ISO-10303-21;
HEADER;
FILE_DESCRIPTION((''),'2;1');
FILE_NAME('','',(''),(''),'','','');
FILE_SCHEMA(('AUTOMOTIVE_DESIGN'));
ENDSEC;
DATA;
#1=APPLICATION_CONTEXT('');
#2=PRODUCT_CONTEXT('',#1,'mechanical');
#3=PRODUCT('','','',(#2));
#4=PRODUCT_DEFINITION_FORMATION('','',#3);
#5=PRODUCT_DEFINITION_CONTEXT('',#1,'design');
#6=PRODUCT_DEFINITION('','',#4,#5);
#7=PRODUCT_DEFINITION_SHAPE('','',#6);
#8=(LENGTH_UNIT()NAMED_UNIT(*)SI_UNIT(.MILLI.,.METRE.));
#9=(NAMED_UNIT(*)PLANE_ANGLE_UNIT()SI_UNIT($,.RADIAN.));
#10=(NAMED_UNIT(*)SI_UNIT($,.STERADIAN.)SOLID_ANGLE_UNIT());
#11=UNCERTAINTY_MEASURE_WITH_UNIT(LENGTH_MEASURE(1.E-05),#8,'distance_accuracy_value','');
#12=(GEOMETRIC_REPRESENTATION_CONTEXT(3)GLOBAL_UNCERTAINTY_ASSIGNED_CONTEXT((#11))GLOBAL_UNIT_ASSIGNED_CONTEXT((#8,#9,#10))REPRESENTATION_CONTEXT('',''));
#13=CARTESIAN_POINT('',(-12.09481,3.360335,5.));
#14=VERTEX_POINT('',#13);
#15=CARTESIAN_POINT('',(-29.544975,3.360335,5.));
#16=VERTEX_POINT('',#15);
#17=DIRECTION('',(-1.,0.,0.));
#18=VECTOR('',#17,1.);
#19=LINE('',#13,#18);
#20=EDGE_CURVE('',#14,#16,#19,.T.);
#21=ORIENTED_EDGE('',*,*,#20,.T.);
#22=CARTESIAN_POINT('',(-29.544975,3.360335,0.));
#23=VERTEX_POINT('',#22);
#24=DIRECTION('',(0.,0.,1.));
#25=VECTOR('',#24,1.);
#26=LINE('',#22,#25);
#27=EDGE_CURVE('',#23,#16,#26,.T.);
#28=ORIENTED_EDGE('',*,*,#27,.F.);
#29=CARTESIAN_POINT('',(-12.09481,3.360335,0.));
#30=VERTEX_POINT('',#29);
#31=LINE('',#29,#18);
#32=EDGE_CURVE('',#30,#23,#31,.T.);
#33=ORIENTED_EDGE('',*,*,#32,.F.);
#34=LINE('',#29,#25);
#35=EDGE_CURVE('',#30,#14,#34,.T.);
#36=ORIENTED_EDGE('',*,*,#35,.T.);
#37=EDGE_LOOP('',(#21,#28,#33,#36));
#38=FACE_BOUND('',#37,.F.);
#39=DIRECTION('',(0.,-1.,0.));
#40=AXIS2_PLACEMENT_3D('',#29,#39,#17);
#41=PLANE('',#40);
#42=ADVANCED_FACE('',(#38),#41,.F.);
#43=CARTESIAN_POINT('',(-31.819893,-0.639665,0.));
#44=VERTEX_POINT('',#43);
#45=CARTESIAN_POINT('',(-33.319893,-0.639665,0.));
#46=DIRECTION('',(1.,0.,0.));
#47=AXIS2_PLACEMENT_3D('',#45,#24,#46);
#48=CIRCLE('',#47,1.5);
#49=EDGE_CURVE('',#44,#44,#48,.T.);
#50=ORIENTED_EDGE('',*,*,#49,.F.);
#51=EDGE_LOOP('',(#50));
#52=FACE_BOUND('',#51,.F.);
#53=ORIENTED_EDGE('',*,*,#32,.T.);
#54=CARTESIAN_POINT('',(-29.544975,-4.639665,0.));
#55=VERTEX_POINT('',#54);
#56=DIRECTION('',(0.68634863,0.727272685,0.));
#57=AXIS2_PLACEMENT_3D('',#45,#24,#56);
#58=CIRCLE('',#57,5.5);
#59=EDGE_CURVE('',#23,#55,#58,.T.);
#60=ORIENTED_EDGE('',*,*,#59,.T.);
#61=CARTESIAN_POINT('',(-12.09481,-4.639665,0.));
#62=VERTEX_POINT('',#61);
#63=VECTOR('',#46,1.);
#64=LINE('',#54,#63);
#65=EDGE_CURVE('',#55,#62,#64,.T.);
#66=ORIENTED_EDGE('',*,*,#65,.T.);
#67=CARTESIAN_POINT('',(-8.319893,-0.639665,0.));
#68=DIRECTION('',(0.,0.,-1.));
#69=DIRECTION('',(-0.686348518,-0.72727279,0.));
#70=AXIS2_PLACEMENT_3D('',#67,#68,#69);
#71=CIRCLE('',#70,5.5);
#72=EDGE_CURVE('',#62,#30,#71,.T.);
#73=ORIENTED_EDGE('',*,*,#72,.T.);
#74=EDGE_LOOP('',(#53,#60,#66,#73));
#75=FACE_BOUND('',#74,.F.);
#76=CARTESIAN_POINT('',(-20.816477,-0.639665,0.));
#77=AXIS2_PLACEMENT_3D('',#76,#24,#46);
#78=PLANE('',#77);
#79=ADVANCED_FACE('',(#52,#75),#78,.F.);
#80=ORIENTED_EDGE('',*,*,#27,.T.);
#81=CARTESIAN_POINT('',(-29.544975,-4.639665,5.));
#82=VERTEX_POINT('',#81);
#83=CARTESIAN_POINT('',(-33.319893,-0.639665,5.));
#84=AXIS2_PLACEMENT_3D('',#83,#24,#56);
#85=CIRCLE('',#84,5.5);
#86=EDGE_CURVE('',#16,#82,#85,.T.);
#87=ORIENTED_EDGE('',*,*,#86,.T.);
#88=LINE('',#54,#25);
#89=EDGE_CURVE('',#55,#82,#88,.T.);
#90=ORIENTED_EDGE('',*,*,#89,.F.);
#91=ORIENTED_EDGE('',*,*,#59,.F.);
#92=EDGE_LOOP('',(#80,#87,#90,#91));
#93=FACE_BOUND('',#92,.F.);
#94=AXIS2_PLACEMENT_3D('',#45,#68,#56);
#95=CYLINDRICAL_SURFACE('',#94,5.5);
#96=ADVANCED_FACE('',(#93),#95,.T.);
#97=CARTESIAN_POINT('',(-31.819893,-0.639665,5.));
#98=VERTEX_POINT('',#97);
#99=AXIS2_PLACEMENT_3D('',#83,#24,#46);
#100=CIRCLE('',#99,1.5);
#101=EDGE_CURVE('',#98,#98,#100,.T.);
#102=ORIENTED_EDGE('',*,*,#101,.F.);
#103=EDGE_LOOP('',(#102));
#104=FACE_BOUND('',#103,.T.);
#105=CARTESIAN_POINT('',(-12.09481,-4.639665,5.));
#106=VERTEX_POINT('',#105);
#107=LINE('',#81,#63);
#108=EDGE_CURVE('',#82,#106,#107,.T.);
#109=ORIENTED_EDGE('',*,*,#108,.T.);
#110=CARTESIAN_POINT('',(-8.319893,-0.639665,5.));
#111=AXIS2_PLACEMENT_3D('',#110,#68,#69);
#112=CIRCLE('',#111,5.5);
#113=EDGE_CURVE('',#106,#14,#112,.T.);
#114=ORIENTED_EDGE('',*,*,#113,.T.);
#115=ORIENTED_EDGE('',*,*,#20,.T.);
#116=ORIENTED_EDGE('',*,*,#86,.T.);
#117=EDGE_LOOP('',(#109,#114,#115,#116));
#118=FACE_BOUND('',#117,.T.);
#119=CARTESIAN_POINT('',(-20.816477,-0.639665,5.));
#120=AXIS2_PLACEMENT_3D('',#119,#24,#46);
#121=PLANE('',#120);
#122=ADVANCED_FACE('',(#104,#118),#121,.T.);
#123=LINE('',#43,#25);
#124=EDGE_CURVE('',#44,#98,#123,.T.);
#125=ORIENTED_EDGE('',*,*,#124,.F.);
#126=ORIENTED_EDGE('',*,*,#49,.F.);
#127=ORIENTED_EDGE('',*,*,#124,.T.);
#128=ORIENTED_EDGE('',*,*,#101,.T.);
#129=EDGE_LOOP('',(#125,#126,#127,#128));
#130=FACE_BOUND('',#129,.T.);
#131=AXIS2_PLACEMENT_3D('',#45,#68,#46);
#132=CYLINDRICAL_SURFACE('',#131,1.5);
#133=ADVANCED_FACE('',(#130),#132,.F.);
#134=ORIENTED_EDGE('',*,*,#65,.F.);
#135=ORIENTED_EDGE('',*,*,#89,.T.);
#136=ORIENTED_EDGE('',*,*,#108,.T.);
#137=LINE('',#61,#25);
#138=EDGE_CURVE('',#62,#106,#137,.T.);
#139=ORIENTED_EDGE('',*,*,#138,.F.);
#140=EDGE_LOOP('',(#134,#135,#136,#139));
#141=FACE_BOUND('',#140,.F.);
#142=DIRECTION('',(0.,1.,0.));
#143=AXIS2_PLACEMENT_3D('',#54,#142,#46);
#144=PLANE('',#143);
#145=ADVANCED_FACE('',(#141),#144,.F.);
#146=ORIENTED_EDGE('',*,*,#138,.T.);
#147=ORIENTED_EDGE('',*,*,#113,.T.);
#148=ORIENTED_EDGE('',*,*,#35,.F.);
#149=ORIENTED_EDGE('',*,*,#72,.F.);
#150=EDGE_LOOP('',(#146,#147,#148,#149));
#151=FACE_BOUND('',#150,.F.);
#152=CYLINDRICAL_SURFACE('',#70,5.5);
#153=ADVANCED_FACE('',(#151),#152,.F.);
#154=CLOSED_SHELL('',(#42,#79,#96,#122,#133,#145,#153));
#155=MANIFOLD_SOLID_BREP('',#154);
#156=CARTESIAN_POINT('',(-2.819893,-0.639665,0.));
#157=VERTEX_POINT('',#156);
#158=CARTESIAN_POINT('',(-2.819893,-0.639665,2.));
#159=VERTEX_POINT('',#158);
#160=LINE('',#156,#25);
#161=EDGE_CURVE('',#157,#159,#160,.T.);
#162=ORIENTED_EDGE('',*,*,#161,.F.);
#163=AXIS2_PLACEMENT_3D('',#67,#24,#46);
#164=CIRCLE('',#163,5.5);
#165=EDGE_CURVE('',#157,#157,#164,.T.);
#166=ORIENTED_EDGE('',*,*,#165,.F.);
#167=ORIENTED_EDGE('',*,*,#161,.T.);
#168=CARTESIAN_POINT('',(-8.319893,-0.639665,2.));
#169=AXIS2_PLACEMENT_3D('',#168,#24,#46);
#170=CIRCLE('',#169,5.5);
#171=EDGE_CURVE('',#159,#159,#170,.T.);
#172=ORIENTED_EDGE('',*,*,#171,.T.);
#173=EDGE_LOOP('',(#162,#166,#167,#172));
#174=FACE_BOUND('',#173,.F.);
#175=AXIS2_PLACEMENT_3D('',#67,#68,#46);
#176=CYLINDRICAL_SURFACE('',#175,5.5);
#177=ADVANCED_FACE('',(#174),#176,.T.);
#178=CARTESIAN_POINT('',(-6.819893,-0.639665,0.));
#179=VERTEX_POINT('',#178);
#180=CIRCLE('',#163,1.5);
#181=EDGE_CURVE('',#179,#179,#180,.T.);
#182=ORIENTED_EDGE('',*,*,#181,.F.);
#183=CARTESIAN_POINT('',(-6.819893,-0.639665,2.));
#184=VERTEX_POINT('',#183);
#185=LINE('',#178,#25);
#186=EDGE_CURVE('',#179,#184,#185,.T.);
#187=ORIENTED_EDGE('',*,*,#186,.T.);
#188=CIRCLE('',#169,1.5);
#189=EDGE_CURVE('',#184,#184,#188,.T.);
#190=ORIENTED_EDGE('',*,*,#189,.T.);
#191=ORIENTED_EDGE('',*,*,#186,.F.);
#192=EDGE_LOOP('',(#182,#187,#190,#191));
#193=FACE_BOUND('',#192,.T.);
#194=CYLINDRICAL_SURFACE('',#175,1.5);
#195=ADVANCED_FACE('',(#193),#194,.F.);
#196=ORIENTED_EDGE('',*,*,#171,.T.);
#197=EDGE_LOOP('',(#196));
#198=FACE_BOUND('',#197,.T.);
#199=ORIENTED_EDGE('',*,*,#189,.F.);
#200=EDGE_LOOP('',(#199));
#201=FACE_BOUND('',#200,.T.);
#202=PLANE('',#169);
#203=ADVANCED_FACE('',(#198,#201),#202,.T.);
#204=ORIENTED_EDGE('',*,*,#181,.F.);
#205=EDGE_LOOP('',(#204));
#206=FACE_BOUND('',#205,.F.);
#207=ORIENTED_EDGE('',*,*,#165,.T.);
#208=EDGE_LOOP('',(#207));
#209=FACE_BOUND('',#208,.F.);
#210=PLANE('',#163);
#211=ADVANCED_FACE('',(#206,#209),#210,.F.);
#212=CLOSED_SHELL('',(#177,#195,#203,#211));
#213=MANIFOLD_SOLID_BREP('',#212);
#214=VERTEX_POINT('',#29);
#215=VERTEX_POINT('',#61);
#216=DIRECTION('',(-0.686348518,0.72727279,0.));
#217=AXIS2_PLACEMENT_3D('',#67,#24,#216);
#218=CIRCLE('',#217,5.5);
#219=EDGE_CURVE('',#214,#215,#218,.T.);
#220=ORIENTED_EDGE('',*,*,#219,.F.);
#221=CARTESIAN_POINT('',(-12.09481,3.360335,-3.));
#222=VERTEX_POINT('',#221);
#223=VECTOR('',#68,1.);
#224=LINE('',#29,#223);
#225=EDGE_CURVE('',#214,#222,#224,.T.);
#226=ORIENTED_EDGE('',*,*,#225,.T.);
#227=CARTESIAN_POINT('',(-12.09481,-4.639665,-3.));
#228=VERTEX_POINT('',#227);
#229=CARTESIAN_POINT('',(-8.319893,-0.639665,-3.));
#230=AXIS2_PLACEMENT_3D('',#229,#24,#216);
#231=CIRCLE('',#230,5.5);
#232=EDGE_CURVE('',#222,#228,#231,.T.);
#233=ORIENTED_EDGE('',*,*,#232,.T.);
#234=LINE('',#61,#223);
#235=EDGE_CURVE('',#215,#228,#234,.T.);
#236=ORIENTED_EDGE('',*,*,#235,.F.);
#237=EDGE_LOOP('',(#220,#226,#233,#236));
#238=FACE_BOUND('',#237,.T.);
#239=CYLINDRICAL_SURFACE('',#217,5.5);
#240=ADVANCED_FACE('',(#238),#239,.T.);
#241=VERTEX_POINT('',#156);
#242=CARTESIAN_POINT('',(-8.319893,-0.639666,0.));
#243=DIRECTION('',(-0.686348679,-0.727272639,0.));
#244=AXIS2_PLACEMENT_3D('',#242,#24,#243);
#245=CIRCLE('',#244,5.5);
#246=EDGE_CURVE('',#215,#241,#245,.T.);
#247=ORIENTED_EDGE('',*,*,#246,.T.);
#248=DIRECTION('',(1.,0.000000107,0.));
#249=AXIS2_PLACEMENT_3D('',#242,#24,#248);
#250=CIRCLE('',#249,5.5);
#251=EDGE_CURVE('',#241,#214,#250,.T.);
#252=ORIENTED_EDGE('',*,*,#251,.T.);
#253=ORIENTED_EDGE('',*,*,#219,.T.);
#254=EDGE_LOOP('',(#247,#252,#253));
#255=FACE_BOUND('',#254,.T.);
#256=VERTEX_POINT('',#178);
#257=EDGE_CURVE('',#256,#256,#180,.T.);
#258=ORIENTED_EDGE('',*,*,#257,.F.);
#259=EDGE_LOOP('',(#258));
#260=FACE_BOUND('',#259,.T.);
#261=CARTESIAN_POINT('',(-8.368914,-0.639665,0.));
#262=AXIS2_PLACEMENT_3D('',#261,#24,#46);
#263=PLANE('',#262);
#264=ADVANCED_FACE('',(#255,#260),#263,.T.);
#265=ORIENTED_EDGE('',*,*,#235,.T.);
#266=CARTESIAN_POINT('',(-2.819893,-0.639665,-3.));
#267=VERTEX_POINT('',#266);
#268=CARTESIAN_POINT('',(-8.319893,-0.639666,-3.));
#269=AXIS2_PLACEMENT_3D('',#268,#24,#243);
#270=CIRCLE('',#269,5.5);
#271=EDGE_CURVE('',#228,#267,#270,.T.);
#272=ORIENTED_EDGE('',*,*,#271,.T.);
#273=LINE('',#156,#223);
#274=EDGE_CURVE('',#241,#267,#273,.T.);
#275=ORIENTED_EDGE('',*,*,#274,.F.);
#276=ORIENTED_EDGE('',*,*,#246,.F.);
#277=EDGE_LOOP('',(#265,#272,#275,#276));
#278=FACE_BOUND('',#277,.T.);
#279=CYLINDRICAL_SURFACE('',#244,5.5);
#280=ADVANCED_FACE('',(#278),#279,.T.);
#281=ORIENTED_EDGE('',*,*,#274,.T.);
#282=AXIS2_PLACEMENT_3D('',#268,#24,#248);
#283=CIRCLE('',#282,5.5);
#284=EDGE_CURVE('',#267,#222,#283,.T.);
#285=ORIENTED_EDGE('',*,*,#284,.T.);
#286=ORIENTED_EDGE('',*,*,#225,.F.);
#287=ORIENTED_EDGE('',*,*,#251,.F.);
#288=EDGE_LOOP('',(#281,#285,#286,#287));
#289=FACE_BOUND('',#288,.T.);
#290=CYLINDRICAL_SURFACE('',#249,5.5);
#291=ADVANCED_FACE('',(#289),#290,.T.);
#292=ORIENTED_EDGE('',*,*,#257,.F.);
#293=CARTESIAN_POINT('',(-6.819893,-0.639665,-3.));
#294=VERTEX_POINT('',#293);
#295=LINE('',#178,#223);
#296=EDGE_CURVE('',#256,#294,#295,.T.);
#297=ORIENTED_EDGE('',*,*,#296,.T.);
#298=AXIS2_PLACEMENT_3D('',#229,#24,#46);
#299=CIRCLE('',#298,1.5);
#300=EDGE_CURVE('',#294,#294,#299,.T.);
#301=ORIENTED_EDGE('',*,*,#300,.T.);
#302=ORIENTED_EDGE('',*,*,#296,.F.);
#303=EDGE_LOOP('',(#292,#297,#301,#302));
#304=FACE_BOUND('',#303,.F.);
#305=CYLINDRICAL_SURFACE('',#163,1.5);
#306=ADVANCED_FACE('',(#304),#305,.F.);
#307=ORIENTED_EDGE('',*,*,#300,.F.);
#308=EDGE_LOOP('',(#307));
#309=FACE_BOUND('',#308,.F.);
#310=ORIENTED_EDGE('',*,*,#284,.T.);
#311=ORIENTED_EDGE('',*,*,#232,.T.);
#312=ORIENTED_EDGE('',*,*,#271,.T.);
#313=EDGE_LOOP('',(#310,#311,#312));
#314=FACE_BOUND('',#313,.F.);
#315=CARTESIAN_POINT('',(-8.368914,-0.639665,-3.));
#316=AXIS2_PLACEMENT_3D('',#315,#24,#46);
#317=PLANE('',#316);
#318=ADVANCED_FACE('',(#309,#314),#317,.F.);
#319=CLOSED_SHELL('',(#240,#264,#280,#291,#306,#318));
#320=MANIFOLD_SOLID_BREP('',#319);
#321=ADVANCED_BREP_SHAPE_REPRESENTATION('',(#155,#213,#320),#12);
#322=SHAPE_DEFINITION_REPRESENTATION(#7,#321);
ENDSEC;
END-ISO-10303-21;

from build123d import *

# Parameters (mm, degrees)
F0_R        = 1.5
F1_DEPTH    = 3
F2_DEPTH    = 5
F1_FACE_R   = 5.5
F1_FACE_R_2 = 1.5
F3_DEPTH    = 2


with BuildPart() as f1:
    # F0 (on Top) → F1 (new body)
    with BuildSketch(Plane.XY):
        with BuildLine():
            ThreePointArc((-2.819893, -0.639665), (-6.141825, 4.410683), (-12.09481, 3.360335))
            ThreePointArc((-12.09481, 3.360335), (-13.819893, -0.639665), (-12.09481, -4.639665))
            ThreePointArc((-12.09481, -4.639665), (-6.141825, -5.690014), (-2.819893, -0.639665))
        make_face()
        with Locations((-8.319893, -0.639665)):
            Circle(F0_R, mode=Mode.SUBTRACT)
    extrude(amount=-F1_DEPTH)


with BuildPart() as f2:
    # F0 (on Top) → F2 (new body)
    with BuildSketch(Plane.XY):
        with BuildLine():
            ThreePointArc((-29.544975, 3.360335), (-28.269544, 1.538402), (-27.819893, -0.639665))
            ThreePointArc((-27.819893, -0.639665), (-28.269544, -2.817733), (-29.544975, -4.639665))
            Line((-29.544975, -4.639665), (-29.319893, -4.639665))
            Line((-29.319893, -4.639665), (-12.319893, -4.639665))
            Line((-12.319893, -4.639665), (-12.09481, -4.639665))
            ThreePointArc((-12.09481, -4.639665), (-13.819893, -0.639665), (-12.09481, 3.360335))
            Line((-12.09481, 3.360335), (-12.319893, 3.360335))
            Line((-12.319893, 3.360335), (-29.319893, 3.360335))
            Line((-29.319893, 3.360335), (-29.544975, 3.360335))
        make_face()
        with BuildLine():
            ThreePointArc((-29.544975, -4.639665), (-28.269544, -2.817733), (-27.819893, -0.639665))
            ThreePointArc((-27.819893, -0.639665), (-28.269544, 1.538402), (-29.544975, 3.360335))
            ThreePointArc((-29.544975, 3.360335), (-38.819893, -0.639665), (-29.544975, -4.639665))
        make_face()
        with Locations((-33.319893, -0.639665)):
            Circle(F0_R, mode=Mode.SUBTRACT)
    extrude(amount=F2_DEPTH)


with BuildPart() as f3:
    # F1_face (on face) → F3 (new body)
    with BuildSketch(Plane(origin=(-8.319893, -0.639665, 0), x_dir=(1, 0, 0), z_dir=(0, 0, 1))):
        Circle(F1_FACE_R)
        Circle(F1_FACE_R_2, mode=Mode.SUBTRACT)
    extrude(amount=F3_DEPTH)


solid = Compound([f1.part, f2.part, f3.part])
